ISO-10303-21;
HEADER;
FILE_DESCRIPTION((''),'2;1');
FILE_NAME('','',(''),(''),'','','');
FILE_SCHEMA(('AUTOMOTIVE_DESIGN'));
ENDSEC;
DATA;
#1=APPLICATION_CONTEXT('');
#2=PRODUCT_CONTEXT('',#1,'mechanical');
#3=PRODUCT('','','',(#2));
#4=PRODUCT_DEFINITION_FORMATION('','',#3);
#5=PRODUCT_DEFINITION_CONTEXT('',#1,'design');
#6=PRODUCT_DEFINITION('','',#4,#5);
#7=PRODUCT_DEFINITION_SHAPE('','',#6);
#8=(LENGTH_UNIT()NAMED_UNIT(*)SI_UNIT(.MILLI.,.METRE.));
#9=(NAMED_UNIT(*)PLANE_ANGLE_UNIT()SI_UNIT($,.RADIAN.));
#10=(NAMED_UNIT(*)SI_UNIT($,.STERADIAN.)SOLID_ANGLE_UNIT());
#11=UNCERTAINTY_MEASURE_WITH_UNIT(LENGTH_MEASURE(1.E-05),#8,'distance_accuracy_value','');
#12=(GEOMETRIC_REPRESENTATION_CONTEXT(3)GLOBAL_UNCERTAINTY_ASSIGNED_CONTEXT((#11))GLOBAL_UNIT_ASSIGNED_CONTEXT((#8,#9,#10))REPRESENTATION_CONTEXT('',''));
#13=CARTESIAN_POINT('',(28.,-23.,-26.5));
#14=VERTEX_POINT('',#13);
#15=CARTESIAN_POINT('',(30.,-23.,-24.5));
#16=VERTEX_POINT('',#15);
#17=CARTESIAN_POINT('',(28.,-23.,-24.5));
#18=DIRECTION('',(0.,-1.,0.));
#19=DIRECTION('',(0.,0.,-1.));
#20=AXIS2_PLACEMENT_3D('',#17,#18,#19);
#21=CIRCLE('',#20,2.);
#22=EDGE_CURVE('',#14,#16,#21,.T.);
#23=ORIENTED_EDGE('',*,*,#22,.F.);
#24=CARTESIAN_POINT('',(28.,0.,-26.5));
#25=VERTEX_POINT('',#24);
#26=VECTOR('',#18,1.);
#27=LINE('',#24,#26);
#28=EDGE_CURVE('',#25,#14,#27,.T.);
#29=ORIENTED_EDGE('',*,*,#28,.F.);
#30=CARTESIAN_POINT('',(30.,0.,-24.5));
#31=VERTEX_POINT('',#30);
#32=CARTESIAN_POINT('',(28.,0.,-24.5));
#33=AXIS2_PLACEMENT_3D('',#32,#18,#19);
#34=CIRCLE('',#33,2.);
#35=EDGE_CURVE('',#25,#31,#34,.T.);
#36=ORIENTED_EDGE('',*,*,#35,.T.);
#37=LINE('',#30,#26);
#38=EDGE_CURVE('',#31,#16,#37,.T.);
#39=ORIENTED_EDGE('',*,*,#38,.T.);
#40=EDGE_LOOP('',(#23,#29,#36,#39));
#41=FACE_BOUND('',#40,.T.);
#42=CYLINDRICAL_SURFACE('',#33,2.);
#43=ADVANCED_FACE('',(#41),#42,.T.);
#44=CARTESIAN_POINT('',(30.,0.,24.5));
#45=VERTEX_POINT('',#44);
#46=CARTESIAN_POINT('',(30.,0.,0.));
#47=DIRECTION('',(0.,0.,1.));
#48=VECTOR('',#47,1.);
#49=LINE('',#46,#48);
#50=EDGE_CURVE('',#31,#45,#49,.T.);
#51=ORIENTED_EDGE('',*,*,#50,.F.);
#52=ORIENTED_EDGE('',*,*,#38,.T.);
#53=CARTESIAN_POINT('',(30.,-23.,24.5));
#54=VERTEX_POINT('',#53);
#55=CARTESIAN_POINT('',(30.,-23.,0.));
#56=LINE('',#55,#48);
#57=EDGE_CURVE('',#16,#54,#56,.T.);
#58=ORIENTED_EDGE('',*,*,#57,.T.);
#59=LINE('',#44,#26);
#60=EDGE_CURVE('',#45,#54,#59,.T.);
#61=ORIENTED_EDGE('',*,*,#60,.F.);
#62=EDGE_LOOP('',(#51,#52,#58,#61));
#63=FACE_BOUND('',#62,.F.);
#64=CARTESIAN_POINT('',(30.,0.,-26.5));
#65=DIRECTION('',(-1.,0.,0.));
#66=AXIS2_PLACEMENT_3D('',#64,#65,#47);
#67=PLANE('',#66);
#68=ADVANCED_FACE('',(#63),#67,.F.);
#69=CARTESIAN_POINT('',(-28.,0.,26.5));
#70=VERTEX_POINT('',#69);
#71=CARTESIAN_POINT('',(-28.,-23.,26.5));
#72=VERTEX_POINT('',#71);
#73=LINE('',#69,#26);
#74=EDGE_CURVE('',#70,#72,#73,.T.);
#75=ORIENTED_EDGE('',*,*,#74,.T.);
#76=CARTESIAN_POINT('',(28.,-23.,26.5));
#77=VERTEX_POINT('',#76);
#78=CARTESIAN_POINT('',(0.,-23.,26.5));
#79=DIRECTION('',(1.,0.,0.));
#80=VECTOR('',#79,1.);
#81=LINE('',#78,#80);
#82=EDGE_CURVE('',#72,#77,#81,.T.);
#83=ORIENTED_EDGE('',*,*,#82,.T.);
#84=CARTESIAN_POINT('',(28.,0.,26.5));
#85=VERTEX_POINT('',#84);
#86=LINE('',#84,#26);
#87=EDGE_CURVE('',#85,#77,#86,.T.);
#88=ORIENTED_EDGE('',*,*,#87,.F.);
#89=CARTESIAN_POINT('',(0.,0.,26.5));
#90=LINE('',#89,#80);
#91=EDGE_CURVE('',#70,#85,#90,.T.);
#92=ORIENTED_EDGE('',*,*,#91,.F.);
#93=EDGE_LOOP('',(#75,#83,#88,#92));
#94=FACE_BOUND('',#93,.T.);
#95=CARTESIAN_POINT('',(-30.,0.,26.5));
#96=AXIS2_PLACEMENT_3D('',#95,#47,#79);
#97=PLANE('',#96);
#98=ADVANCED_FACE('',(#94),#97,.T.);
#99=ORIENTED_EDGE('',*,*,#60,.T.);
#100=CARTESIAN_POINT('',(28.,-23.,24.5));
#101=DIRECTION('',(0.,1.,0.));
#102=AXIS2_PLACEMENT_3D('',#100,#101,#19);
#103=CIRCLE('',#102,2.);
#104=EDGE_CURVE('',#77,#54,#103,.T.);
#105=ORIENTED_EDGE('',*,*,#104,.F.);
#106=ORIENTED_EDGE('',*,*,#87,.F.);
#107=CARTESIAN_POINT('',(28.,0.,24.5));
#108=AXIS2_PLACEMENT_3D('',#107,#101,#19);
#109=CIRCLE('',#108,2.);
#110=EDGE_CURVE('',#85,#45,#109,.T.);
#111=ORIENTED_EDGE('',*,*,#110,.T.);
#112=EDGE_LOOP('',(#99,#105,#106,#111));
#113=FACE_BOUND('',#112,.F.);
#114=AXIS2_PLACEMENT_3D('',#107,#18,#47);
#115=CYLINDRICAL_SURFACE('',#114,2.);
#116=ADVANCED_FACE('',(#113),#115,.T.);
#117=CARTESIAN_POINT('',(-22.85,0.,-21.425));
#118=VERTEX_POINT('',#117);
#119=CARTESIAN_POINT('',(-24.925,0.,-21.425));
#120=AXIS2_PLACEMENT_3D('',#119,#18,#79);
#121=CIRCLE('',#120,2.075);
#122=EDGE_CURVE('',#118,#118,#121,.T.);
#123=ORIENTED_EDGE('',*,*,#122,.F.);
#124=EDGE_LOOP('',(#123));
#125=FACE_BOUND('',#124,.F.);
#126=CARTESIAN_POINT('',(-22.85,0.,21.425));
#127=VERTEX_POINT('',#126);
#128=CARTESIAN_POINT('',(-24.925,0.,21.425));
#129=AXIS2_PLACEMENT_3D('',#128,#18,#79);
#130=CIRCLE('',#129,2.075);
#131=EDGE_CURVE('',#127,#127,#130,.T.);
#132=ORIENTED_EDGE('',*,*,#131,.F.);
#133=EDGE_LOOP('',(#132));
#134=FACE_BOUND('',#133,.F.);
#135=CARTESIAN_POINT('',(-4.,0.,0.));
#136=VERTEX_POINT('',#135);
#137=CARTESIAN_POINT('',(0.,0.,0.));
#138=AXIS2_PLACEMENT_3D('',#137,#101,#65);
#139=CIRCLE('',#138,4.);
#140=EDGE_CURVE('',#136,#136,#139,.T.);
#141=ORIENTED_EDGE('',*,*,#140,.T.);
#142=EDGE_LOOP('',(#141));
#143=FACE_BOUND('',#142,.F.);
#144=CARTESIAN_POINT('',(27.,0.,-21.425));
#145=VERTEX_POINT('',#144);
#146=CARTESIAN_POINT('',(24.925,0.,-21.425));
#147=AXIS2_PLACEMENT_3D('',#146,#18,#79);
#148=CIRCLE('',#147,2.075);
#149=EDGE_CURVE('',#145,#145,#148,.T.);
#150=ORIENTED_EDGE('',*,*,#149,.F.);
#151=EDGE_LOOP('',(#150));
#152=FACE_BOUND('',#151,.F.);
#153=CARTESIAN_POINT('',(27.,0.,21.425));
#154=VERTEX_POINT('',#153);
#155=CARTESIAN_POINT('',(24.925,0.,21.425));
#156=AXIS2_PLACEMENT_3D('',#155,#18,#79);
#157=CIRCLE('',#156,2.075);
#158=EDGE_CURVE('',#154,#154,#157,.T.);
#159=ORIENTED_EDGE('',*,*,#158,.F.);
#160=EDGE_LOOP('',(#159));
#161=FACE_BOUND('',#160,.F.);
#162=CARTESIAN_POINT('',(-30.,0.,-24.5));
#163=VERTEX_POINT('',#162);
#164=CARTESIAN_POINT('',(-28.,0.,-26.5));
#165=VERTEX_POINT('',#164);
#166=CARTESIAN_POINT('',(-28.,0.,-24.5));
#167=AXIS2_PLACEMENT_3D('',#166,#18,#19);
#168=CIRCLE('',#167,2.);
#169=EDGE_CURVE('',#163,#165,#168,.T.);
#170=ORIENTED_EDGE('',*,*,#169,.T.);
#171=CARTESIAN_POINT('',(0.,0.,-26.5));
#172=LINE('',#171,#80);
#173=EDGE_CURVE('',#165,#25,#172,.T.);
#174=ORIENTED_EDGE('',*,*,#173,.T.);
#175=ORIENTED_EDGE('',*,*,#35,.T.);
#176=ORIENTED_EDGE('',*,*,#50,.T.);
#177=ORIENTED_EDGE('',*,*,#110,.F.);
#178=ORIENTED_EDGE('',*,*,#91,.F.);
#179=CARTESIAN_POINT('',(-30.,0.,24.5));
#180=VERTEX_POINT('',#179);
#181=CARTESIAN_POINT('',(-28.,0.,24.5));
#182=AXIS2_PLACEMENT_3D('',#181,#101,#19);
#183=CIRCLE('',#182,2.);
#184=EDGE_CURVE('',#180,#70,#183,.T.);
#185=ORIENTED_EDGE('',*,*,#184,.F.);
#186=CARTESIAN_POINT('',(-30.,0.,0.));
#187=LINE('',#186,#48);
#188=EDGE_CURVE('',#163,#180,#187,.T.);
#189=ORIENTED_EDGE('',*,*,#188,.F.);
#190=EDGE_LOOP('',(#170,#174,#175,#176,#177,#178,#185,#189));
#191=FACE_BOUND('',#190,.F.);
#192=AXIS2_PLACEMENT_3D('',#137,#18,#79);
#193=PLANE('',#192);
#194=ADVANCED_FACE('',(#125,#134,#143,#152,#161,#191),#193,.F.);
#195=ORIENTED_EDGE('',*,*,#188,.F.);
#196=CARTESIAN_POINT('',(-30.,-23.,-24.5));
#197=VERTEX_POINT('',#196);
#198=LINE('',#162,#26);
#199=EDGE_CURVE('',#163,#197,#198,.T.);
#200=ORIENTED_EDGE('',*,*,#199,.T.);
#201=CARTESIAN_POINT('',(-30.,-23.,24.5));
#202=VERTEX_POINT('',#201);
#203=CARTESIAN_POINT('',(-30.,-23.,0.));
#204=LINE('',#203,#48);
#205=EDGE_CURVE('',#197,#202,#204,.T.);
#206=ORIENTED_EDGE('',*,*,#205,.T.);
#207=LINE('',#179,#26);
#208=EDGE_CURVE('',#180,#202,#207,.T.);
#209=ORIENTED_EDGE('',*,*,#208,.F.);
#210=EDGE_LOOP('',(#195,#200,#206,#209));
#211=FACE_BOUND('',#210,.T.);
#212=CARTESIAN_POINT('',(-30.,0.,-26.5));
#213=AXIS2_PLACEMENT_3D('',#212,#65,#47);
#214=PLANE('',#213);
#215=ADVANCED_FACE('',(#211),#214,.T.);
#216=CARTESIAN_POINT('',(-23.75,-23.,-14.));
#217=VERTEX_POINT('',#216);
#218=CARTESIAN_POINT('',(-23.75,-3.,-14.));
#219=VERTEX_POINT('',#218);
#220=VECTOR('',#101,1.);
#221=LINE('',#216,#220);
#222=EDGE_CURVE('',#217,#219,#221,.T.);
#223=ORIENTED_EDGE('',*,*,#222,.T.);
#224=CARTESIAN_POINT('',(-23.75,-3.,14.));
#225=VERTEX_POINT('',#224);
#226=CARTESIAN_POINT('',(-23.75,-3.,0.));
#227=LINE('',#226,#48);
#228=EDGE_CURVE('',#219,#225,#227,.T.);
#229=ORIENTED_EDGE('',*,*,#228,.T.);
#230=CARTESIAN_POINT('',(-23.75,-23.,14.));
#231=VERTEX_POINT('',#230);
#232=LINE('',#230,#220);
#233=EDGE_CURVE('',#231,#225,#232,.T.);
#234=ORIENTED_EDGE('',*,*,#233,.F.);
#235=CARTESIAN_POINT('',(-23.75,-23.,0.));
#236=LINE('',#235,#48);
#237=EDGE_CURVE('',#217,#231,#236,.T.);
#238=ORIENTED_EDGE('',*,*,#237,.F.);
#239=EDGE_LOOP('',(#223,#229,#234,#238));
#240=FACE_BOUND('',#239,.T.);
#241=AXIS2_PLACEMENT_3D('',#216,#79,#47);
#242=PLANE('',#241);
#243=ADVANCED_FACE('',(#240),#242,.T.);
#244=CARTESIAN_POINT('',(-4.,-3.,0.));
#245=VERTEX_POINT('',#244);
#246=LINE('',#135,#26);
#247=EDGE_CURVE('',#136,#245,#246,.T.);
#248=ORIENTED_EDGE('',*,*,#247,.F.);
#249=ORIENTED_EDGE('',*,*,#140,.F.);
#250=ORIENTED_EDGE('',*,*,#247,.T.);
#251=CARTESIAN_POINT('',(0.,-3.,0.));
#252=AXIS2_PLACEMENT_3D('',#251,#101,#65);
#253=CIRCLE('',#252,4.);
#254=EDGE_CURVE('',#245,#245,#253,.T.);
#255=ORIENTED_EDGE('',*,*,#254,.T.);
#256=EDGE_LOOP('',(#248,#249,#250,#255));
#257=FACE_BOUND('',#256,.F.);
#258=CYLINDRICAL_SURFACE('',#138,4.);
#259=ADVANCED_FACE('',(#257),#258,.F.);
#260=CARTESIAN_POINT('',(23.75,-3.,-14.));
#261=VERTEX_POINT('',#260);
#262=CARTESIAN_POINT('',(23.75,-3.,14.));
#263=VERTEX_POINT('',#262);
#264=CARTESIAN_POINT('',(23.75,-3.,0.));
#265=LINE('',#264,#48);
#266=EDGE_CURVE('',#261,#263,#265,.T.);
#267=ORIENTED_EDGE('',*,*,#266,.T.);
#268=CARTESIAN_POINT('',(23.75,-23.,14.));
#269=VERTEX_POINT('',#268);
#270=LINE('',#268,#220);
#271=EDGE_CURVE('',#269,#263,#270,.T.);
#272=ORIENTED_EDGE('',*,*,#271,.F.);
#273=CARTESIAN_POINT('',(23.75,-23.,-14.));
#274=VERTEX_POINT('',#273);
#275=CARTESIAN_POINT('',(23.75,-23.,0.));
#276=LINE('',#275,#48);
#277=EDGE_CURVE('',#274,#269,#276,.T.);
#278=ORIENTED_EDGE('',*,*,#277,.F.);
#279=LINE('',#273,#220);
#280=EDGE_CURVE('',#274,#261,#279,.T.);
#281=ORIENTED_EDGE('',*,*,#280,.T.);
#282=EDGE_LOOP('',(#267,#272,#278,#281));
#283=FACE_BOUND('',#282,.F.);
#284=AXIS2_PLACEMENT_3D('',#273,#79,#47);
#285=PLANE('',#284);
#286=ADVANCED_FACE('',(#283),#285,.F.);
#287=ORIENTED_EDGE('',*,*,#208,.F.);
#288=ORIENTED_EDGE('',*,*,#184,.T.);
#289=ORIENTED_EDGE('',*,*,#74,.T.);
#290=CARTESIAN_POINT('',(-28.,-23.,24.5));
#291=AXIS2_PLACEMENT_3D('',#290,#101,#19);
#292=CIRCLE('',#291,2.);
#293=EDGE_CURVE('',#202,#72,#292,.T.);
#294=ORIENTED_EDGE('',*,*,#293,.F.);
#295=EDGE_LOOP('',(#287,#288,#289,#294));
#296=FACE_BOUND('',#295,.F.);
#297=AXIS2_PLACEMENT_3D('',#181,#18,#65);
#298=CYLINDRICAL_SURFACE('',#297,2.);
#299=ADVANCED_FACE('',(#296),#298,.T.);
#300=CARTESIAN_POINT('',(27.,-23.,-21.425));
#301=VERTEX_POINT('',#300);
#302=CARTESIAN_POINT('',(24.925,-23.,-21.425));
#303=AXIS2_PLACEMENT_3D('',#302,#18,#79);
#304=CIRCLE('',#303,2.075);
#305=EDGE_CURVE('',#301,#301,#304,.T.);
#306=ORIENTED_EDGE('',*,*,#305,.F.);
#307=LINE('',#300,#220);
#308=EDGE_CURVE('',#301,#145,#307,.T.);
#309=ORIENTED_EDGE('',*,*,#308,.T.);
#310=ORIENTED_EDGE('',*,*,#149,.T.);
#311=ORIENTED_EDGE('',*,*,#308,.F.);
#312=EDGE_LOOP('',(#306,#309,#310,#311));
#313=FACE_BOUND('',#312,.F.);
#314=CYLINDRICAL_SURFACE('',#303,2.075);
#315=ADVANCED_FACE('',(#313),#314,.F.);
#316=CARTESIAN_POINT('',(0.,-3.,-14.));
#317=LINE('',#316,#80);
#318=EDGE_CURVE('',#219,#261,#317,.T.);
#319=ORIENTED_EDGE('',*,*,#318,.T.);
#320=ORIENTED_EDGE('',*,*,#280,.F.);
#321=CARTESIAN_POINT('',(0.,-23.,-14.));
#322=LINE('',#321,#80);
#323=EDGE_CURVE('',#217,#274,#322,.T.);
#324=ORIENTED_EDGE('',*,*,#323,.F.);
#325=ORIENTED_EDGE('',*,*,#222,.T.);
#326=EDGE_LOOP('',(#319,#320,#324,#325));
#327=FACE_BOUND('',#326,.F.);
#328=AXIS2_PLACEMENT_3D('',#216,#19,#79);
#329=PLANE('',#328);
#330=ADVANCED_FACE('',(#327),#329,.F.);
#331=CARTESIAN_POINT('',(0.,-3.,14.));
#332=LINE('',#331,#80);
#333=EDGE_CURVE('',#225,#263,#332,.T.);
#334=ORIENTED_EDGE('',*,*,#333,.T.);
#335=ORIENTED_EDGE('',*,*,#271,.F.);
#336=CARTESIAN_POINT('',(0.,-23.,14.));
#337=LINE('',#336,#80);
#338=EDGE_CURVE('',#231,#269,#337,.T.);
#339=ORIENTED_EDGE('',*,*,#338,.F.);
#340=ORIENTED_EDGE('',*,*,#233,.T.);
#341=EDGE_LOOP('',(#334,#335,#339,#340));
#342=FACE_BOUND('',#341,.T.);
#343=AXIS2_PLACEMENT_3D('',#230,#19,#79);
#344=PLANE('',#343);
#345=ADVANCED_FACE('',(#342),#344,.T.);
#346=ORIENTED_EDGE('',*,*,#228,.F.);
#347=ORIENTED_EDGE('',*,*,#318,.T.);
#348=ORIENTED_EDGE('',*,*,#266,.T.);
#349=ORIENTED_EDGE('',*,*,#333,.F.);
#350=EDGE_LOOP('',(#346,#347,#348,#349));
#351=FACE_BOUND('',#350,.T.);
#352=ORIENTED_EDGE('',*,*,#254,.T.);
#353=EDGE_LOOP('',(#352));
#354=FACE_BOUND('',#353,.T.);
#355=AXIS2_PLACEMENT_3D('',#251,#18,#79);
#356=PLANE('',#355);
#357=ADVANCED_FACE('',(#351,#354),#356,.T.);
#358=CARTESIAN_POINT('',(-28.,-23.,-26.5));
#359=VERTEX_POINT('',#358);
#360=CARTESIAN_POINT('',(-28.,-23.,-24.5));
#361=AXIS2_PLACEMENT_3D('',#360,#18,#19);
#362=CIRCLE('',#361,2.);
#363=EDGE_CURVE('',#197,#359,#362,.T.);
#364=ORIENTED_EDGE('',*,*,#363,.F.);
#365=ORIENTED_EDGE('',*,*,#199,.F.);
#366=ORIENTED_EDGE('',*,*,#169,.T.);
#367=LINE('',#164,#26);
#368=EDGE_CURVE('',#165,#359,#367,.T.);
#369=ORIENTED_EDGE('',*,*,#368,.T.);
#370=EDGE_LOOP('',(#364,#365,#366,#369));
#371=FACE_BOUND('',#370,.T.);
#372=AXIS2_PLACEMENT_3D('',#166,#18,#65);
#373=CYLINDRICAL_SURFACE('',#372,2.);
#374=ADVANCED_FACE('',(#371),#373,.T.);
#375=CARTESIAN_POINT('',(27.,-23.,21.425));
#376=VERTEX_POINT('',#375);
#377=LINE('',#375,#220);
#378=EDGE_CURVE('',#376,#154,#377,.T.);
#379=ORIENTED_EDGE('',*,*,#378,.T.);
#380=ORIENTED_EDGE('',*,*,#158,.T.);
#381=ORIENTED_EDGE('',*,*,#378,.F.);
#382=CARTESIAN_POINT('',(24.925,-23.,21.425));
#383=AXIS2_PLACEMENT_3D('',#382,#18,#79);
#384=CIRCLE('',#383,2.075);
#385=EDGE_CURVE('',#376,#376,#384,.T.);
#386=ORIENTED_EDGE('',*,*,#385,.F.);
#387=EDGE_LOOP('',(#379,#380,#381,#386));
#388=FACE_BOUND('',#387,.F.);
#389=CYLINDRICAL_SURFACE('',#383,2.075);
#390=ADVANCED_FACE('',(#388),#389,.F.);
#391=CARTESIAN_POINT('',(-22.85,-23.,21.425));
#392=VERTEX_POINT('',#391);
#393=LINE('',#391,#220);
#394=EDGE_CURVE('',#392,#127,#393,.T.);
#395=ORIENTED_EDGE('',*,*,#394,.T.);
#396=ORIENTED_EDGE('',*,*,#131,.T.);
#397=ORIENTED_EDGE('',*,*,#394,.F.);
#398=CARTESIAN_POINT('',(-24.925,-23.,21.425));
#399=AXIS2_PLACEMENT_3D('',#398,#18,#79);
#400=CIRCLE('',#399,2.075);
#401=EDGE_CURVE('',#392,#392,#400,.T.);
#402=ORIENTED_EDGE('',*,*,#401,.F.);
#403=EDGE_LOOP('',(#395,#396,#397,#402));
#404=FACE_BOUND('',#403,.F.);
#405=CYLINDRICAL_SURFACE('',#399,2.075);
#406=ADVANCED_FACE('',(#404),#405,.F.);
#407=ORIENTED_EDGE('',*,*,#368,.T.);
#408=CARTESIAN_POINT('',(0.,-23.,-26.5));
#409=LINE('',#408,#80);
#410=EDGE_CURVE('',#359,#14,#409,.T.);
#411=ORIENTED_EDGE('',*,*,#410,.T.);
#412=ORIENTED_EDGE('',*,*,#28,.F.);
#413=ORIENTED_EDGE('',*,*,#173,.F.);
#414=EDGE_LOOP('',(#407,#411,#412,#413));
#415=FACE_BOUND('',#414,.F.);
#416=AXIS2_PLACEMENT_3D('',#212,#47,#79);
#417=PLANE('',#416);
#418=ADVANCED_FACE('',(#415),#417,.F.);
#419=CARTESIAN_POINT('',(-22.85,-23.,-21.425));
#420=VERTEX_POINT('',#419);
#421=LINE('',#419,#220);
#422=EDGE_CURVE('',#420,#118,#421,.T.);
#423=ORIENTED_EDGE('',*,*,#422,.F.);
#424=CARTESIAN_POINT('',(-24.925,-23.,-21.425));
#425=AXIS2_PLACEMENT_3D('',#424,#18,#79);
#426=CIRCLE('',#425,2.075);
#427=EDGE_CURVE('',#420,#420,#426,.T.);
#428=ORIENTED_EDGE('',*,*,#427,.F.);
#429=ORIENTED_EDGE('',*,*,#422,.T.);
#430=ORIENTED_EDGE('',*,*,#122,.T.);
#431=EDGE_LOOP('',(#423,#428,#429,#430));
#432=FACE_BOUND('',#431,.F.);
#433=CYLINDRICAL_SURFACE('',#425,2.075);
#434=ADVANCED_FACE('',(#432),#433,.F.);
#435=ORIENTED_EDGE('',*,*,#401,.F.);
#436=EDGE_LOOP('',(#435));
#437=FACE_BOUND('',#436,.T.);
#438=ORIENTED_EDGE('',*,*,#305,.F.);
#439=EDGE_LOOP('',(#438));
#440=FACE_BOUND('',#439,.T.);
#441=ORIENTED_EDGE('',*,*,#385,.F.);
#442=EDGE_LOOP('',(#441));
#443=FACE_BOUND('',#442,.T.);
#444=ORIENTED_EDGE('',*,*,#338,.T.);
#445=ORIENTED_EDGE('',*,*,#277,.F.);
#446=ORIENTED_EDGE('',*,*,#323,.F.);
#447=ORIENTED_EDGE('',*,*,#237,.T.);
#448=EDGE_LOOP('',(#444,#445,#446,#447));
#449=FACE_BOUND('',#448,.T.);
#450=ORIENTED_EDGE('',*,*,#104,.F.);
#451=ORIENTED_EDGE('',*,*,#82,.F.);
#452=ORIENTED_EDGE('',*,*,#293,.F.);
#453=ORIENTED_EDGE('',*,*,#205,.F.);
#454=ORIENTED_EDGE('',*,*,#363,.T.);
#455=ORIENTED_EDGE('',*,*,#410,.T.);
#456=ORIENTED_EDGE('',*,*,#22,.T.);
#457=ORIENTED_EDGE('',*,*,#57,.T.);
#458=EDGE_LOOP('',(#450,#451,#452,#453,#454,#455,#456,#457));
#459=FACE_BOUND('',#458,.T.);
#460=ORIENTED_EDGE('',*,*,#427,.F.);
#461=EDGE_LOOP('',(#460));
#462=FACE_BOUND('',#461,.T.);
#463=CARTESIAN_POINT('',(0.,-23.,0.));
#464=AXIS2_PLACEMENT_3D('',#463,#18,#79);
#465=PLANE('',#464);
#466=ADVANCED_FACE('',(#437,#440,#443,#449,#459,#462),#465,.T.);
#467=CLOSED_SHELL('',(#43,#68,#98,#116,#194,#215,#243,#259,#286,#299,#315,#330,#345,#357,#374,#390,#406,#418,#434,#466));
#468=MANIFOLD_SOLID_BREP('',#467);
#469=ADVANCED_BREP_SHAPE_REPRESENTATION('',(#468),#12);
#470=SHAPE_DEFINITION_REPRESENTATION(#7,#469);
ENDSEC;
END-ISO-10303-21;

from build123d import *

# Parameters (mm, degrees)
F0_W     = 60
F0_H     = 53
F1_DEPTH = 23
F2_W     = 47.5
F2_H     = 28
F3_DEPTH = 20
F4_R     = 2
F5_R     = 2
F6_R     = 4
F7_DEPTH = 3
F8_R     = 2.075
F9_DEPTH = 23


with BuildPart() as f1:
    # F0 (on Front) → F1 (new body)
    with BuildSketch(Plane.XZ):
        Rectangle(F0_W, F0_H)
    extrude(amount=F1_DEPTH)

    # F2 (on face) → F3 (cut)
    with BuildSketch(Plane.XZ.offset(23)):
        Rectangle(F2_W, F2_H)
    extrude(amount=-F3_DEPTH, mode=Mode.SUBTRACT)

    # F4
    f4_edges = [f1.edges().sort_by_distance(p)[0] for p in [
        (-30, -11.5, -26.5),
    ]]
    fillet(f4_edges, radius=F4_R)

    # F5
    f5_edges = [f1.edges().sort_by_distance(p)[0] for p in [
        (30, -11.5, -26.5),
        (30, -11.5, 26.5),
        (-30, -11.5, 26.5),
    ]]
    fillet(f5_edges, radius=F5_R)

    # F6 (on face) → F7 (cut)
    with BuildSketch(Plane(origin=(0, 0, 0), x_dir=(-1, 0, 0), z_dir=(0, 1, 0))):
        Circle(F6_R)
    extrude(amount=-F7_DEPTH, mode=Mode.SUBTRACT)

    # F8 (on face) → F9 (cut)
    with BuildSketch(Plane.XZ.offset(23)):
        with Locations((-24.925, 21.425)):
            Circle(F8_R)
        with Locations((24.925, 21.425)):
            Circle(F8_R)
        with Locations((24.925, -21.425)):
            Circle(F8_R)
        with Locations((-24.925, -21.425)):
            Circle(F8_R)
    extrude(amount=-F9_DEPTH, mode=Mode.SUBTRACT)


solid = f1.part
